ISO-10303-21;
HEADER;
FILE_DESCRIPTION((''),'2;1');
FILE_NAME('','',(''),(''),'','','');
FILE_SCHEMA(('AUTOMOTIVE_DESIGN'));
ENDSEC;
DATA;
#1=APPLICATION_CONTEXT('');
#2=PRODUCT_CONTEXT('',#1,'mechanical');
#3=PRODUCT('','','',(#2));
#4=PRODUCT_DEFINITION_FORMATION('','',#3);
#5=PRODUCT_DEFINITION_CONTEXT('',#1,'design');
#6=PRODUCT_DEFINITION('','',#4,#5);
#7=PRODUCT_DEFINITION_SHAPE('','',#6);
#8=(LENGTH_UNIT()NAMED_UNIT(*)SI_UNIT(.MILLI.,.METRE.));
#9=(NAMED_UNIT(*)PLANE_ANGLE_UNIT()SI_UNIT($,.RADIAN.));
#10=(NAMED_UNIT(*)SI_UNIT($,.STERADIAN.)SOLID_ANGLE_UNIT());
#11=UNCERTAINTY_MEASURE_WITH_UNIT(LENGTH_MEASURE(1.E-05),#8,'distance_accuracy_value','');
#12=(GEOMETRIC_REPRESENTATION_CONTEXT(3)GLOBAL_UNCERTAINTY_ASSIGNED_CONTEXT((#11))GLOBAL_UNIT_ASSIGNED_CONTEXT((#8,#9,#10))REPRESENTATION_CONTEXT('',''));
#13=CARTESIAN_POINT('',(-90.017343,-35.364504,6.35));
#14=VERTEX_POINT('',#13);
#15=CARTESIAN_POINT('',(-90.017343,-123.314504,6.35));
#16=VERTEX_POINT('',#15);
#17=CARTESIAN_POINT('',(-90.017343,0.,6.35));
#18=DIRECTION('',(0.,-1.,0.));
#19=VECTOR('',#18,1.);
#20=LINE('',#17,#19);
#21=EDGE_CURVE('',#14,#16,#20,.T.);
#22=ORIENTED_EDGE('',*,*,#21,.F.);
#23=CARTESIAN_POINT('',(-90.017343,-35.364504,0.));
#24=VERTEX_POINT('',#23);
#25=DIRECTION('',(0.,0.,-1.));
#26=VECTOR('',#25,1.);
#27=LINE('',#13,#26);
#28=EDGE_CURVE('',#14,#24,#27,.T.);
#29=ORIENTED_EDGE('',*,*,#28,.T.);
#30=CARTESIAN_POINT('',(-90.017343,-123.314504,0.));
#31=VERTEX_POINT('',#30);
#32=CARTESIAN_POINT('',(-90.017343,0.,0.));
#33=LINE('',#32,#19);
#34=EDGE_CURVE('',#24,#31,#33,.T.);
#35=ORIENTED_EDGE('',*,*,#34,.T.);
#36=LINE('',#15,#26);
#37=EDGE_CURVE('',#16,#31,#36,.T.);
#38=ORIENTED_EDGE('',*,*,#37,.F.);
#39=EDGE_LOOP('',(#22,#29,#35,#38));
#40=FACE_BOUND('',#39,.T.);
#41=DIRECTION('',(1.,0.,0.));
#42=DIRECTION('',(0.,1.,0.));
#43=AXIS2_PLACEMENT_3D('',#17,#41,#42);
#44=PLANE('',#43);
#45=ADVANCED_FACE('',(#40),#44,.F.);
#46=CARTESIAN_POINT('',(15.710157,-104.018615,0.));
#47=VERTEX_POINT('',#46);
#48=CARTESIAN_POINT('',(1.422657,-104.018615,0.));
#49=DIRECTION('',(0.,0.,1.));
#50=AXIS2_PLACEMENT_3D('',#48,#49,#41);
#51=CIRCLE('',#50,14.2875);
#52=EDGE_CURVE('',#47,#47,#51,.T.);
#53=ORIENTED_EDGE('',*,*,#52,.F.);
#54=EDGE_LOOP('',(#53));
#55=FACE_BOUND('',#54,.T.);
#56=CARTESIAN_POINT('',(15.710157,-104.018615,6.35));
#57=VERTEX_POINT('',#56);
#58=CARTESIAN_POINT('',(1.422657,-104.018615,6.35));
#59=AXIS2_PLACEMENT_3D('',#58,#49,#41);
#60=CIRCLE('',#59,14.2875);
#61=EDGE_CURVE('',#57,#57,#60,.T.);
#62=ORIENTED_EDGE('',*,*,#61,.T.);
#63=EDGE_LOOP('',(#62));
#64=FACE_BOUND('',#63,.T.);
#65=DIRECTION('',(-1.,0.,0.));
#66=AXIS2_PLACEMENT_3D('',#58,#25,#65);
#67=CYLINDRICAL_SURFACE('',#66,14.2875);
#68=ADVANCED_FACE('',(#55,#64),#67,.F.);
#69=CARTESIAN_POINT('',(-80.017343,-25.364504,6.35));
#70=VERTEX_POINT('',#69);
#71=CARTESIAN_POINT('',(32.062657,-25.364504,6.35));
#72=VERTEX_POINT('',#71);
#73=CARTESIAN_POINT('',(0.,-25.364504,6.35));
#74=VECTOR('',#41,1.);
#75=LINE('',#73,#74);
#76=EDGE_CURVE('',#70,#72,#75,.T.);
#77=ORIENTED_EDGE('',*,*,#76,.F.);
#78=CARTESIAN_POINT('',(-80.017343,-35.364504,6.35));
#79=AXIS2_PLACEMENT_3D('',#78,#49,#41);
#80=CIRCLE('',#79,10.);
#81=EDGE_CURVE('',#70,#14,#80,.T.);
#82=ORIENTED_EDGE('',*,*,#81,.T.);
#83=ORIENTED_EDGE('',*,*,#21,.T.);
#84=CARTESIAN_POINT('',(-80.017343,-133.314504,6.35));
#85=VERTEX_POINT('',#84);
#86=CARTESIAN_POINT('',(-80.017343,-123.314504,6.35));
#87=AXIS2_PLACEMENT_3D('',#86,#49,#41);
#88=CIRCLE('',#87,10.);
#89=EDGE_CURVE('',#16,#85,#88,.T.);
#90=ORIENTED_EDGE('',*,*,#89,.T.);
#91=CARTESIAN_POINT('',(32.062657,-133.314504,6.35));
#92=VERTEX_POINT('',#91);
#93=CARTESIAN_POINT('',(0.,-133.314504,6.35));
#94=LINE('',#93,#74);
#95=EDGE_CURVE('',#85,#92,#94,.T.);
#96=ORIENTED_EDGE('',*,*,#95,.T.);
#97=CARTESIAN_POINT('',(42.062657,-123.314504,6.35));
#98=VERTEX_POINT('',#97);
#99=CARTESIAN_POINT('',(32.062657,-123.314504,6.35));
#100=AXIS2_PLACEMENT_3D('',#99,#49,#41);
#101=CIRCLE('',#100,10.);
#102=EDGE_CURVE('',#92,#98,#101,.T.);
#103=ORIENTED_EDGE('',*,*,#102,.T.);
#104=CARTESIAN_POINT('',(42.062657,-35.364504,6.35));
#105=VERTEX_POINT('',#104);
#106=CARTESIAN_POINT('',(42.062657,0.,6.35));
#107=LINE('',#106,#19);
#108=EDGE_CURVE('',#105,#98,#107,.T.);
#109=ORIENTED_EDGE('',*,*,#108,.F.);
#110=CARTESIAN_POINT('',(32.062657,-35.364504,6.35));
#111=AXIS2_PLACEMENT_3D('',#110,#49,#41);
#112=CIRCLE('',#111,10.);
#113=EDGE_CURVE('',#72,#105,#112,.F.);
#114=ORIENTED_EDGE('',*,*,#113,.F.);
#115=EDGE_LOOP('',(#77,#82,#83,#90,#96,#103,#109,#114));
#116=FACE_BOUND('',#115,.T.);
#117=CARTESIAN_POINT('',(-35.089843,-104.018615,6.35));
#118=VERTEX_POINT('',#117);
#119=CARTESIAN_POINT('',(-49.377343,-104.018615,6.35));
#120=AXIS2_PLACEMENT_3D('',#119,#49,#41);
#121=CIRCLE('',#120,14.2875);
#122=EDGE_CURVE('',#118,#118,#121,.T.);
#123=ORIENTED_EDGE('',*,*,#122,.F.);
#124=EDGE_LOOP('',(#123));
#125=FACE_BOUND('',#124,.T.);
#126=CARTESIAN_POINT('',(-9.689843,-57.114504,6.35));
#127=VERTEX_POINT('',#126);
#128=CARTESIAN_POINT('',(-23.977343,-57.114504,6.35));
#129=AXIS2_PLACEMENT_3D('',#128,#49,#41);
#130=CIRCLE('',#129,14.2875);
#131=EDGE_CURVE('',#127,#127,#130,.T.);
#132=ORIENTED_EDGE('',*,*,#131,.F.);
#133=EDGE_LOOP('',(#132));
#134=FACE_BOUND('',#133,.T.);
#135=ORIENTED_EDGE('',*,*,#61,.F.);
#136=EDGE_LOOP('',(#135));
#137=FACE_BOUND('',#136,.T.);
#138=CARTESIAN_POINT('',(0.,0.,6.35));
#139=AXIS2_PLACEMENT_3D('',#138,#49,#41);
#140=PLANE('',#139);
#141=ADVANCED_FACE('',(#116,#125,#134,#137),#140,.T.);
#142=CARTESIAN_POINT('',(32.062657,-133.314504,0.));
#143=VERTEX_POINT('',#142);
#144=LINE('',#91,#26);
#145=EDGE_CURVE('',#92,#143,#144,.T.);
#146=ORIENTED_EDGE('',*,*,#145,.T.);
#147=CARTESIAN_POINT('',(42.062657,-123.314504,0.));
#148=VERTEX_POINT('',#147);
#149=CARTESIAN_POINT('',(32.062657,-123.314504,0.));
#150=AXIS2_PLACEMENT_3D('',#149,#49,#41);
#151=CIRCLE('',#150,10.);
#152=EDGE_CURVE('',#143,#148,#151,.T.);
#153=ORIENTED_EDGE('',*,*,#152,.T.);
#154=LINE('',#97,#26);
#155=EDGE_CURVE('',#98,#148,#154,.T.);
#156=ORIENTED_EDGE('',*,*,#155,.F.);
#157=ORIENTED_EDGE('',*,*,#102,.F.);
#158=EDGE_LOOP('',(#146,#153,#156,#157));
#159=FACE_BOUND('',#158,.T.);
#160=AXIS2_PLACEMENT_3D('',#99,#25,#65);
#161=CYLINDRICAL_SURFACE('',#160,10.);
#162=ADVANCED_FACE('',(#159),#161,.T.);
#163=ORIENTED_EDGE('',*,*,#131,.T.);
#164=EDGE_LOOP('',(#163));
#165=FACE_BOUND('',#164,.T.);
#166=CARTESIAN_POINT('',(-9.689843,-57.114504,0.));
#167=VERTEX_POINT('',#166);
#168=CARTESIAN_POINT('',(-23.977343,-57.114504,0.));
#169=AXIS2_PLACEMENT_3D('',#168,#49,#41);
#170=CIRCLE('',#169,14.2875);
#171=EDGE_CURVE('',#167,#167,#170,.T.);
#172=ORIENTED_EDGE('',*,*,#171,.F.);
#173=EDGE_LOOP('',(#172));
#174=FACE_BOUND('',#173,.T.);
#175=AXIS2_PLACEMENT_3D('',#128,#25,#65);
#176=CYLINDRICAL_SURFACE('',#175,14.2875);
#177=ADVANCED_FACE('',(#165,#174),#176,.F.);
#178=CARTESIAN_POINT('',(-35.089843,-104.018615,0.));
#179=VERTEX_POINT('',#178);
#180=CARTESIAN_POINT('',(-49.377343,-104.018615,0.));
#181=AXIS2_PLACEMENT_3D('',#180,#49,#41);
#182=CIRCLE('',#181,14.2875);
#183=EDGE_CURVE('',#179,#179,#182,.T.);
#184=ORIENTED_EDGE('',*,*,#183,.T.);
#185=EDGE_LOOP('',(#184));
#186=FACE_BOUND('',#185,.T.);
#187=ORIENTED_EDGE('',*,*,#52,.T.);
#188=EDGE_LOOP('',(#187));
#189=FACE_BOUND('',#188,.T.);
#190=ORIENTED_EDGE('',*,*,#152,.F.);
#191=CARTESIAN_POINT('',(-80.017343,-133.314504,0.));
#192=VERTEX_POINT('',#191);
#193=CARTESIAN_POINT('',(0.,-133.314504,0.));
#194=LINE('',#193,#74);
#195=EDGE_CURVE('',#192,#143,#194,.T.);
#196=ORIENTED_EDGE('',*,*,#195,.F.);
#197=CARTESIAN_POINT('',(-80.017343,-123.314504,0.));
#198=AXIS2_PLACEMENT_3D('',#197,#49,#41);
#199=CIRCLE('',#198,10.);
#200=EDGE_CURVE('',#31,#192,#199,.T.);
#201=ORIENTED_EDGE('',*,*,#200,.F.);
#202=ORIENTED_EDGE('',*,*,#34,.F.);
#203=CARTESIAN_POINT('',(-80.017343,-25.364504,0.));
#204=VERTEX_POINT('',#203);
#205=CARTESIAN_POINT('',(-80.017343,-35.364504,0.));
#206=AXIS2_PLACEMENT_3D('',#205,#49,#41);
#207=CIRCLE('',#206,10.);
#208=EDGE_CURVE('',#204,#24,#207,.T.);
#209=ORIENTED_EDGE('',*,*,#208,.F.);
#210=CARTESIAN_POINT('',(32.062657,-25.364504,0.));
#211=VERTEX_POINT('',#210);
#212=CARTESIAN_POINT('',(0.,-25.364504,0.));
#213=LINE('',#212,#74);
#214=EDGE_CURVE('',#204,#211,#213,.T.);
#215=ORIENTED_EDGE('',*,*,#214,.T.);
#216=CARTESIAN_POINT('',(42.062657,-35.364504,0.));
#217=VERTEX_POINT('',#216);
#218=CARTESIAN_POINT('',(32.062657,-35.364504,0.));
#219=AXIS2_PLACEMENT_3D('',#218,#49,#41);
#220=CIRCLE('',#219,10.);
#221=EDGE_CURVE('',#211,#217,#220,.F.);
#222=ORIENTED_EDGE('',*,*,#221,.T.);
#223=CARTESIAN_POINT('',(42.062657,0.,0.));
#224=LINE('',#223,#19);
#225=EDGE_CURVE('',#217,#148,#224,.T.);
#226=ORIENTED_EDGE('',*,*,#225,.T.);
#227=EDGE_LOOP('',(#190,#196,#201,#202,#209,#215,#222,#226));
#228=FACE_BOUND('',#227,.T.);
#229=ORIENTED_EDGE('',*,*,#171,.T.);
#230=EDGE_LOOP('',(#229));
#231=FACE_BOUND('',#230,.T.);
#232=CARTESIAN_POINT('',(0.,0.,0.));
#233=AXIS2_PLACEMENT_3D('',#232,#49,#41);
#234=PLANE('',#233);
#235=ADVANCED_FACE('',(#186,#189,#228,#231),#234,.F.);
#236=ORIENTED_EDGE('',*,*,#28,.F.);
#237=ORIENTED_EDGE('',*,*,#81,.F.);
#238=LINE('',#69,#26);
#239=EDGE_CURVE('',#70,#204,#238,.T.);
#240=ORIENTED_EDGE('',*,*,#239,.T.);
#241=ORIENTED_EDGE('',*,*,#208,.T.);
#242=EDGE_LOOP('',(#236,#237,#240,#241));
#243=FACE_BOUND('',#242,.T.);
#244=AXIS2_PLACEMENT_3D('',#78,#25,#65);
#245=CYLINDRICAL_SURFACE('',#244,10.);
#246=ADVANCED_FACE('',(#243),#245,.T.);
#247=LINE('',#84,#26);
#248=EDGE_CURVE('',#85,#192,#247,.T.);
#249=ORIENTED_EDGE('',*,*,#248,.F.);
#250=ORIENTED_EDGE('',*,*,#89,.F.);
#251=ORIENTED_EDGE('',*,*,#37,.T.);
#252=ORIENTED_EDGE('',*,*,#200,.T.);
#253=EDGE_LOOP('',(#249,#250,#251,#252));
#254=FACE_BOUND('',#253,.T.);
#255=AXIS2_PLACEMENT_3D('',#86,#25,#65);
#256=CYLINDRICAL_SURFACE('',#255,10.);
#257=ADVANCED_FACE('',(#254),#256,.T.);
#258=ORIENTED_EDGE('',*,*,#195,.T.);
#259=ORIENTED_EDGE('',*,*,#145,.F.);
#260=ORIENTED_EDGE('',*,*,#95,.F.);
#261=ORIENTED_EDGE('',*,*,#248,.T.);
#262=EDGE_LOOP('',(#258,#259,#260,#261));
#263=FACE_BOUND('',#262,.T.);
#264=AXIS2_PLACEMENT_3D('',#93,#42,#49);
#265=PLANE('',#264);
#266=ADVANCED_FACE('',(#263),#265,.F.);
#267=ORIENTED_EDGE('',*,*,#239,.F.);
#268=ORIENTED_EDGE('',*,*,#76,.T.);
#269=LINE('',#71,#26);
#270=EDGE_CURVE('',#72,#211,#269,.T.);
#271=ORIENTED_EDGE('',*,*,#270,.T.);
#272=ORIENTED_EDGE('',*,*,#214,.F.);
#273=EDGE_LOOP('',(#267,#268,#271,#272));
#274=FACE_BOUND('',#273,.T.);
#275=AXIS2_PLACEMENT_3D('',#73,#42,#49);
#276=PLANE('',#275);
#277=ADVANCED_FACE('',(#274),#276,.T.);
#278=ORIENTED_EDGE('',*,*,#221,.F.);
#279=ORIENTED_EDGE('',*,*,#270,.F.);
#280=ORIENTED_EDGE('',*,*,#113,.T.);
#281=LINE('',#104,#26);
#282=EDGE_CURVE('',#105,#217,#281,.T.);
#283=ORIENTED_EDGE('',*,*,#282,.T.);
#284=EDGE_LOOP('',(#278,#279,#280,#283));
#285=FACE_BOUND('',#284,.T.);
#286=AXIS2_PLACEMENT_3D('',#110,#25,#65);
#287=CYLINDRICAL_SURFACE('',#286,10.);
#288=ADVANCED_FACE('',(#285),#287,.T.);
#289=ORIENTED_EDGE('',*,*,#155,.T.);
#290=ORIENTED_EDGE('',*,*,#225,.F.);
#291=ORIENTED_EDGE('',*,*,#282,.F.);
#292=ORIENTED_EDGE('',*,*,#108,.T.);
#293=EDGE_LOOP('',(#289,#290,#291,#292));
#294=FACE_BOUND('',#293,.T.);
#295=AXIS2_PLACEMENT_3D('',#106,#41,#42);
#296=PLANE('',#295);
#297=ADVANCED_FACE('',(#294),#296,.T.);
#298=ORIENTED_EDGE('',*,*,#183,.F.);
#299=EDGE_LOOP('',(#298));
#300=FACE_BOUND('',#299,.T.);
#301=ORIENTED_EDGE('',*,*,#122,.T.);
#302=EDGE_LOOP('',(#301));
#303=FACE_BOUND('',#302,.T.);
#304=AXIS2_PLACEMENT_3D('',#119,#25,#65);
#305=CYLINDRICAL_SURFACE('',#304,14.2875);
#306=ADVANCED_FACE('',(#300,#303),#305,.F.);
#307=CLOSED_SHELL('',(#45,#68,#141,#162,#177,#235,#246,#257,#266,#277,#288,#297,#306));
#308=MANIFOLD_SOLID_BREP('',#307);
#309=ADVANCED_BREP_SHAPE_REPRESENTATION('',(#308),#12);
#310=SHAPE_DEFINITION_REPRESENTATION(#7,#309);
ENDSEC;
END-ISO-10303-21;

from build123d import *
from build123d.topology import SkipClean

# Parameters (mm, degrees)
SKETCH1_R           = 14.2875
SKETCH1_R_2         = 53.34
BOSS_EXTRUDE1_DEPTH = 6.35


with BuildPart() as part:
    # Sketch1 → Boss-Extrude1 (new body)
    # profile 1 of 2: a face of its own
    with SkipClean():  # the faces are left unmerged after this step: merging them gives an invalid solid
        with BuildSketch(Plane.XY):
            with BuildLine():
                Line((-80.017343047, -25.364503898), (32.062656953, -25.364503898))
                ThreePointArc((32.062656953, -25.364503898), (39.133724765, -28.293436086), (42.062656953, -35.364503898))
                Line((42.062656953, -35.364503898), (42.062656953, -123.314503898))
                ThreePointArc((42.062656953, -123.314503898), (39.133724765, -130.38557171), (32.062656953, -133.314503898))
                Line((32.062656953, -133.314503898), (-80.017343047, -133.314503898))
                ThreePointArc((-80.017343047, -133.314503898), (-87.088410859, -130.38557171), (-90.017343047, -123.314503898))
                Line((-90.017343047, -123.314503898), (-90.017343047, -35.364503898))
                ThreePointArc((-90.017343047, -35.364503898), (-87.088410859, -28.293436086), (-80.017343047, -25.364503898))
            make_face()
            with Locations((-49.377343047, -104.018614592)):
                Circle(SKETCH1_R, mode=Mode.SUBTRACT)
            with Locations((-23.977343047, -57.114503898)):
                Circle(SKETCH1_R_2, mode=Mode.SUBTRACT)
            with Locations((1.422656953, -104.018614592)):
                Circle(SKETCH1_R, mode=Mode.SUBTRACT)
        # profile 2 of 2: a face of its own
        with BuildSketch(Plane.XY):
            with BuildLine():
                Line((18.883981011, -25.364503898), (-66.838667105, -25.364503898))
                ThreePointArc((-66.838667105, -25.364503898), (-77.128704465, -61.596510075), (-60.916565887, -95.593711477))
                ThreePointArc((-60.916565887, -95.593711477), (-44.94642836, -90.435549721), (-35.089843047, -104.018614592))
                ThreePointArc((-35.089843047, -104.018614592), (-35.3232221, -106.59045064), (-36.015735002, -109.078267418))
                ThreePointArc((-36.015735002, -109.078267418), (-23.977343047, -110.454503898), (-11.938951091, -109.078267418))
                ThreePointArc((-11.938951091, -109.078267418), (-5.380914475, -91.455013513), (12.961879794, -95.593711477))
                ThreePointArc((12.961879794, -95.593711477), (25.091454301, -78.028822602), (29.362656953, -57.114503898))
                ThreePointArc((29.362656953, -57.114503898), (26.67529077, -40.397258689), (18.883981011, -25.364503898))
            make_face()
            with Locations((-23.977343047, -57.114503898)):
                Circle(SKETCH1_R, mode=Mode.SUBTRACT)
        extrude(amount=BOSS_EXTRUDE1_DEPTH)


solid = part.part
